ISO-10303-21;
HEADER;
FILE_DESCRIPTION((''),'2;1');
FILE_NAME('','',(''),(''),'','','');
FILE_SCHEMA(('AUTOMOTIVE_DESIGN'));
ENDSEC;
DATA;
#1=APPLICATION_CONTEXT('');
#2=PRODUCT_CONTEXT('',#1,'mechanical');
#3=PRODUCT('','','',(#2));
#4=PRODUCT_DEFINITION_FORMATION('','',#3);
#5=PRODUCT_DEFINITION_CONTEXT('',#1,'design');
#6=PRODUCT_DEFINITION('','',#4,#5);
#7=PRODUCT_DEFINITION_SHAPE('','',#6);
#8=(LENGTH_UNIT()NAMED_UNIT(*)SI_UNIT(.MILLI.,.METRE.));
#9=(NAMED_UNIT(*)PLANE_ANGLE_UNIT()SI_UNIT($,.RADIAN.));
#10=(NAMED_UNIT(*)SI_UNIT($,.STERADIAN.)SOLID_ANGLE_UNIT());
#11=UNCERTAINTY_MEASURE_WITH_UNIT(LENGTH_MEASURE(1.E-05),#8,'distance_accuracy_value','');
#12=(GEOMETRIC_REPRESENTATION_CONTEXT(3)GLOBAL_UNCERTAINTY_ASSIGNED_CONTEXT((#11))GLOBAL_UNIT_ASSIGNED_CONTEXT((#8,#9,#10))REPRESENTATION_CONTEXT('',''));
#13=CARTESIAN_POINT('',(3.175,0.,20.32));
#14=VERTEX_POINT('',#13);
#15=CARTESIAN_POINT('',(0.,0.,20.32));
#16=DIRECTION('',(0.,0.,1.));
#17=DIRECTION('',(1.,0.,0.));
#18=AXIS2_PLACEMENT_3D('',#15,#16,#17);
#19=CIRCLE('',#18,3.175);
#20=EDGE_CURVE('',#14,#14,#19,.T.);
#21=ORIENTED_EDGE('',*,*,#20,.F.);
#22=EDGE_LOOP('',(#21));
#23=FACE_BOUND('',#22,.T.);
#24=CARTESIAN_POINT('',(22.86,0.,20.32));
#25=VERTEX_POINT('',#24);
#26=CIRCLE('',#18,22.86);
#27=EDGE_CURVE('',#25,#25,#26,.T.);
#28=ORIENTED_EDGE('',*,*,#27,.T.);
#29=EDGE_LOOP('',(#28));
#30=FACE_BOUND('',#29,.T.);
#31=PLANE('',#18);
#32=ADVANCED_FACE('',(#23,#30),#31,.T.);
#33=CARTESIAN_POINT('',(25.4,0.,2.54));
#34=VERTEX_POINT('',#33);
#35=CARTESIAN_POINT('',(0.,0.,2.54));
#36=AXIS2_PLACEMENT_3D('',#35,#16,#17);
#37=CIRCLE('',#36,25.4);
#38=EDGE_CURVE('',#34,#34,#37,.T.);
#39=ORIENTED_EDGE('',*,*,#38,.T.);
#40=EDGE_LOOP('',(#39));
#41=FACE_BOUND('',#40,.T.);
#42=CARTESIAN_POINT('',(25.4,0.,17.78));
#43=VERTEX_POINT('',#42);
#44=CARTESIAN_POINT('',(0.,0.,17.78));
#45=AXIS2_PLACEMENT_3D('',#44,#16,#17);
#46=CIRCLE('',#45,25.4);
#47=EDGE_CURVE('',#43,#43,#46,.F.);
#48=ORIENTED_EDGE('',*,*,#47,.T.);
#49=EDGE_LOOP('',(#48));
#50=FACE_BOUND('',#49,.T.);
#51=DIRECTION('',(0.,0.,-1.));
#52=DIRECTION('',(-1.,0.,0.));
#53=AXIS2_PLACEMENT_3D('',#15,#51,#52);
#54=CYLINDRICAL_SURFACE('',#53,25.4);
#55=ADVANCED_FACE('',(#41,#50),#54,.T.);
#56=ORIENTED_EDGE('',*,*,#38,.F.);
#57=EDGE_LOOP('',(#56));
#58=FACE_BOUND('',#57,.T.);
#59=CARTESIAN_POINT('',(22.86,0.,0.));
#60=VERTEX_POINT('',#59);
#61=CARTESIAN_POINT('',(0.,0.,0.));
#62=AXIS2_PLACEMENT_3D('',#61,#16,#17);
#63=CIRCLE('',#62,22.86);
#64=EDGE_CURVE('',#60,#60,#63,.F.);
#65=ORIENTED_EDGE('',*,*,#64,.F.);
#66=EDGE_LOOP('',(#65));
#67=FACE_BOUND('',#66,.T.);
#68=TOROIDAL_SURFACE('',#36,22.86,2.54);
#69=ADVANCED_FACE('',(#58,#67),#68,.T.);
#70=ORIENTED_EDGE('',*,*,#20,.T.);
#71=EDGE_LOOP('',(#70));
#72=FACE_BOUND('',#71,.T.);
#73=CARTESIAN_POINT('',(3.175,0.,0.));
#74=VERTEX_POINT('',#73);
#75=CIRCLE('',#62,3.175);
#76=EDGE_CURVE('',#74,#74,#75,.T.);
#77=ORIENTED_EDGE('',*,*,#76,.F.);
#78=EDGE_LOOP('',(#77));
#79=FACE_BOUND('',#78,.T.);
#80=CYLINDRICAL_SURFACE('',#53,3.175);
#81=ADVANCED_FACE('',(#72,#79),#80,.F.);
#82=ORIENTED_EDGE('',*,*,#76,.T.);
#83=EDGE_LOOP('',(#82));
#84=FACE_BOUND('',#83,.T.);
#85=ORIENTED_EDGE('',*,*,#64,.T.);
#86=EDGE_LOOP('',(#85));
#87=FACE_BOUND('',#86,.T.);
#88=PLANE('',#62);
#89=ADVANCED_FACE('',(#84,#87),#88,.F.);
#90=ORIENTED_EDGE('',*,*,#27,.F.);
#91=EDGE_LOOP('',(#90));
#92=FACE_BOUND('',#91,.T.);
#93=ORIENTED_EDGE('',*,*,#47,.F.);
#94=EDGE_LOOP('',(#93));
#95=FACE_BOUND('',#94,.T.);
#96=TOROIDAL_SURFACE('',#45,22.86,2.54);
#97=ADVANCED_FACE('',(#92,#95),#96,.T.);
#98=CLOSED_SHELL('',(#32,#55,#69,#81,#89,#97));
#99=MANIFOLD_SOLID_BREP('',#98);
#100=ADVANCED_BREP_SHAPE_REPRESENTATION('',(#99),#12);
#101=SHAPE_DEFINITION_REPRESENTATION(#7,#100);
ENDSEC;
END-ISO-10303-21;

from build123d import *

# Parameters (mm, degrees)
SKETCH1_R           = 25.4
SKETCH1_R_2         = 3.175
BOSS_EXTRUDE1_DEPTH = 20.32
FILLET1_R           = 2.54


with BuildPart() as part:
    # Sketch1 → Boss-Extrude1 (new body)
    with BuildSketch(Plane.XY):
        Circle(SKETCH1_R)
        Circle(SKETCH1_R_2, mode=Mode.SUBTRACT)
    extrude(amount=BOSS_EXTRUDE1_DEPTH)

    # Fillet1
    fillet1_edges = [part.edges().sort_by_distance(p)[0] for p in [
        (-25.4, 0, 0),
        (-25.4, 0, 20.32),
    ]]
    fillet(fillet1_edges, radius=FILLET1_R)


solid = part.part
